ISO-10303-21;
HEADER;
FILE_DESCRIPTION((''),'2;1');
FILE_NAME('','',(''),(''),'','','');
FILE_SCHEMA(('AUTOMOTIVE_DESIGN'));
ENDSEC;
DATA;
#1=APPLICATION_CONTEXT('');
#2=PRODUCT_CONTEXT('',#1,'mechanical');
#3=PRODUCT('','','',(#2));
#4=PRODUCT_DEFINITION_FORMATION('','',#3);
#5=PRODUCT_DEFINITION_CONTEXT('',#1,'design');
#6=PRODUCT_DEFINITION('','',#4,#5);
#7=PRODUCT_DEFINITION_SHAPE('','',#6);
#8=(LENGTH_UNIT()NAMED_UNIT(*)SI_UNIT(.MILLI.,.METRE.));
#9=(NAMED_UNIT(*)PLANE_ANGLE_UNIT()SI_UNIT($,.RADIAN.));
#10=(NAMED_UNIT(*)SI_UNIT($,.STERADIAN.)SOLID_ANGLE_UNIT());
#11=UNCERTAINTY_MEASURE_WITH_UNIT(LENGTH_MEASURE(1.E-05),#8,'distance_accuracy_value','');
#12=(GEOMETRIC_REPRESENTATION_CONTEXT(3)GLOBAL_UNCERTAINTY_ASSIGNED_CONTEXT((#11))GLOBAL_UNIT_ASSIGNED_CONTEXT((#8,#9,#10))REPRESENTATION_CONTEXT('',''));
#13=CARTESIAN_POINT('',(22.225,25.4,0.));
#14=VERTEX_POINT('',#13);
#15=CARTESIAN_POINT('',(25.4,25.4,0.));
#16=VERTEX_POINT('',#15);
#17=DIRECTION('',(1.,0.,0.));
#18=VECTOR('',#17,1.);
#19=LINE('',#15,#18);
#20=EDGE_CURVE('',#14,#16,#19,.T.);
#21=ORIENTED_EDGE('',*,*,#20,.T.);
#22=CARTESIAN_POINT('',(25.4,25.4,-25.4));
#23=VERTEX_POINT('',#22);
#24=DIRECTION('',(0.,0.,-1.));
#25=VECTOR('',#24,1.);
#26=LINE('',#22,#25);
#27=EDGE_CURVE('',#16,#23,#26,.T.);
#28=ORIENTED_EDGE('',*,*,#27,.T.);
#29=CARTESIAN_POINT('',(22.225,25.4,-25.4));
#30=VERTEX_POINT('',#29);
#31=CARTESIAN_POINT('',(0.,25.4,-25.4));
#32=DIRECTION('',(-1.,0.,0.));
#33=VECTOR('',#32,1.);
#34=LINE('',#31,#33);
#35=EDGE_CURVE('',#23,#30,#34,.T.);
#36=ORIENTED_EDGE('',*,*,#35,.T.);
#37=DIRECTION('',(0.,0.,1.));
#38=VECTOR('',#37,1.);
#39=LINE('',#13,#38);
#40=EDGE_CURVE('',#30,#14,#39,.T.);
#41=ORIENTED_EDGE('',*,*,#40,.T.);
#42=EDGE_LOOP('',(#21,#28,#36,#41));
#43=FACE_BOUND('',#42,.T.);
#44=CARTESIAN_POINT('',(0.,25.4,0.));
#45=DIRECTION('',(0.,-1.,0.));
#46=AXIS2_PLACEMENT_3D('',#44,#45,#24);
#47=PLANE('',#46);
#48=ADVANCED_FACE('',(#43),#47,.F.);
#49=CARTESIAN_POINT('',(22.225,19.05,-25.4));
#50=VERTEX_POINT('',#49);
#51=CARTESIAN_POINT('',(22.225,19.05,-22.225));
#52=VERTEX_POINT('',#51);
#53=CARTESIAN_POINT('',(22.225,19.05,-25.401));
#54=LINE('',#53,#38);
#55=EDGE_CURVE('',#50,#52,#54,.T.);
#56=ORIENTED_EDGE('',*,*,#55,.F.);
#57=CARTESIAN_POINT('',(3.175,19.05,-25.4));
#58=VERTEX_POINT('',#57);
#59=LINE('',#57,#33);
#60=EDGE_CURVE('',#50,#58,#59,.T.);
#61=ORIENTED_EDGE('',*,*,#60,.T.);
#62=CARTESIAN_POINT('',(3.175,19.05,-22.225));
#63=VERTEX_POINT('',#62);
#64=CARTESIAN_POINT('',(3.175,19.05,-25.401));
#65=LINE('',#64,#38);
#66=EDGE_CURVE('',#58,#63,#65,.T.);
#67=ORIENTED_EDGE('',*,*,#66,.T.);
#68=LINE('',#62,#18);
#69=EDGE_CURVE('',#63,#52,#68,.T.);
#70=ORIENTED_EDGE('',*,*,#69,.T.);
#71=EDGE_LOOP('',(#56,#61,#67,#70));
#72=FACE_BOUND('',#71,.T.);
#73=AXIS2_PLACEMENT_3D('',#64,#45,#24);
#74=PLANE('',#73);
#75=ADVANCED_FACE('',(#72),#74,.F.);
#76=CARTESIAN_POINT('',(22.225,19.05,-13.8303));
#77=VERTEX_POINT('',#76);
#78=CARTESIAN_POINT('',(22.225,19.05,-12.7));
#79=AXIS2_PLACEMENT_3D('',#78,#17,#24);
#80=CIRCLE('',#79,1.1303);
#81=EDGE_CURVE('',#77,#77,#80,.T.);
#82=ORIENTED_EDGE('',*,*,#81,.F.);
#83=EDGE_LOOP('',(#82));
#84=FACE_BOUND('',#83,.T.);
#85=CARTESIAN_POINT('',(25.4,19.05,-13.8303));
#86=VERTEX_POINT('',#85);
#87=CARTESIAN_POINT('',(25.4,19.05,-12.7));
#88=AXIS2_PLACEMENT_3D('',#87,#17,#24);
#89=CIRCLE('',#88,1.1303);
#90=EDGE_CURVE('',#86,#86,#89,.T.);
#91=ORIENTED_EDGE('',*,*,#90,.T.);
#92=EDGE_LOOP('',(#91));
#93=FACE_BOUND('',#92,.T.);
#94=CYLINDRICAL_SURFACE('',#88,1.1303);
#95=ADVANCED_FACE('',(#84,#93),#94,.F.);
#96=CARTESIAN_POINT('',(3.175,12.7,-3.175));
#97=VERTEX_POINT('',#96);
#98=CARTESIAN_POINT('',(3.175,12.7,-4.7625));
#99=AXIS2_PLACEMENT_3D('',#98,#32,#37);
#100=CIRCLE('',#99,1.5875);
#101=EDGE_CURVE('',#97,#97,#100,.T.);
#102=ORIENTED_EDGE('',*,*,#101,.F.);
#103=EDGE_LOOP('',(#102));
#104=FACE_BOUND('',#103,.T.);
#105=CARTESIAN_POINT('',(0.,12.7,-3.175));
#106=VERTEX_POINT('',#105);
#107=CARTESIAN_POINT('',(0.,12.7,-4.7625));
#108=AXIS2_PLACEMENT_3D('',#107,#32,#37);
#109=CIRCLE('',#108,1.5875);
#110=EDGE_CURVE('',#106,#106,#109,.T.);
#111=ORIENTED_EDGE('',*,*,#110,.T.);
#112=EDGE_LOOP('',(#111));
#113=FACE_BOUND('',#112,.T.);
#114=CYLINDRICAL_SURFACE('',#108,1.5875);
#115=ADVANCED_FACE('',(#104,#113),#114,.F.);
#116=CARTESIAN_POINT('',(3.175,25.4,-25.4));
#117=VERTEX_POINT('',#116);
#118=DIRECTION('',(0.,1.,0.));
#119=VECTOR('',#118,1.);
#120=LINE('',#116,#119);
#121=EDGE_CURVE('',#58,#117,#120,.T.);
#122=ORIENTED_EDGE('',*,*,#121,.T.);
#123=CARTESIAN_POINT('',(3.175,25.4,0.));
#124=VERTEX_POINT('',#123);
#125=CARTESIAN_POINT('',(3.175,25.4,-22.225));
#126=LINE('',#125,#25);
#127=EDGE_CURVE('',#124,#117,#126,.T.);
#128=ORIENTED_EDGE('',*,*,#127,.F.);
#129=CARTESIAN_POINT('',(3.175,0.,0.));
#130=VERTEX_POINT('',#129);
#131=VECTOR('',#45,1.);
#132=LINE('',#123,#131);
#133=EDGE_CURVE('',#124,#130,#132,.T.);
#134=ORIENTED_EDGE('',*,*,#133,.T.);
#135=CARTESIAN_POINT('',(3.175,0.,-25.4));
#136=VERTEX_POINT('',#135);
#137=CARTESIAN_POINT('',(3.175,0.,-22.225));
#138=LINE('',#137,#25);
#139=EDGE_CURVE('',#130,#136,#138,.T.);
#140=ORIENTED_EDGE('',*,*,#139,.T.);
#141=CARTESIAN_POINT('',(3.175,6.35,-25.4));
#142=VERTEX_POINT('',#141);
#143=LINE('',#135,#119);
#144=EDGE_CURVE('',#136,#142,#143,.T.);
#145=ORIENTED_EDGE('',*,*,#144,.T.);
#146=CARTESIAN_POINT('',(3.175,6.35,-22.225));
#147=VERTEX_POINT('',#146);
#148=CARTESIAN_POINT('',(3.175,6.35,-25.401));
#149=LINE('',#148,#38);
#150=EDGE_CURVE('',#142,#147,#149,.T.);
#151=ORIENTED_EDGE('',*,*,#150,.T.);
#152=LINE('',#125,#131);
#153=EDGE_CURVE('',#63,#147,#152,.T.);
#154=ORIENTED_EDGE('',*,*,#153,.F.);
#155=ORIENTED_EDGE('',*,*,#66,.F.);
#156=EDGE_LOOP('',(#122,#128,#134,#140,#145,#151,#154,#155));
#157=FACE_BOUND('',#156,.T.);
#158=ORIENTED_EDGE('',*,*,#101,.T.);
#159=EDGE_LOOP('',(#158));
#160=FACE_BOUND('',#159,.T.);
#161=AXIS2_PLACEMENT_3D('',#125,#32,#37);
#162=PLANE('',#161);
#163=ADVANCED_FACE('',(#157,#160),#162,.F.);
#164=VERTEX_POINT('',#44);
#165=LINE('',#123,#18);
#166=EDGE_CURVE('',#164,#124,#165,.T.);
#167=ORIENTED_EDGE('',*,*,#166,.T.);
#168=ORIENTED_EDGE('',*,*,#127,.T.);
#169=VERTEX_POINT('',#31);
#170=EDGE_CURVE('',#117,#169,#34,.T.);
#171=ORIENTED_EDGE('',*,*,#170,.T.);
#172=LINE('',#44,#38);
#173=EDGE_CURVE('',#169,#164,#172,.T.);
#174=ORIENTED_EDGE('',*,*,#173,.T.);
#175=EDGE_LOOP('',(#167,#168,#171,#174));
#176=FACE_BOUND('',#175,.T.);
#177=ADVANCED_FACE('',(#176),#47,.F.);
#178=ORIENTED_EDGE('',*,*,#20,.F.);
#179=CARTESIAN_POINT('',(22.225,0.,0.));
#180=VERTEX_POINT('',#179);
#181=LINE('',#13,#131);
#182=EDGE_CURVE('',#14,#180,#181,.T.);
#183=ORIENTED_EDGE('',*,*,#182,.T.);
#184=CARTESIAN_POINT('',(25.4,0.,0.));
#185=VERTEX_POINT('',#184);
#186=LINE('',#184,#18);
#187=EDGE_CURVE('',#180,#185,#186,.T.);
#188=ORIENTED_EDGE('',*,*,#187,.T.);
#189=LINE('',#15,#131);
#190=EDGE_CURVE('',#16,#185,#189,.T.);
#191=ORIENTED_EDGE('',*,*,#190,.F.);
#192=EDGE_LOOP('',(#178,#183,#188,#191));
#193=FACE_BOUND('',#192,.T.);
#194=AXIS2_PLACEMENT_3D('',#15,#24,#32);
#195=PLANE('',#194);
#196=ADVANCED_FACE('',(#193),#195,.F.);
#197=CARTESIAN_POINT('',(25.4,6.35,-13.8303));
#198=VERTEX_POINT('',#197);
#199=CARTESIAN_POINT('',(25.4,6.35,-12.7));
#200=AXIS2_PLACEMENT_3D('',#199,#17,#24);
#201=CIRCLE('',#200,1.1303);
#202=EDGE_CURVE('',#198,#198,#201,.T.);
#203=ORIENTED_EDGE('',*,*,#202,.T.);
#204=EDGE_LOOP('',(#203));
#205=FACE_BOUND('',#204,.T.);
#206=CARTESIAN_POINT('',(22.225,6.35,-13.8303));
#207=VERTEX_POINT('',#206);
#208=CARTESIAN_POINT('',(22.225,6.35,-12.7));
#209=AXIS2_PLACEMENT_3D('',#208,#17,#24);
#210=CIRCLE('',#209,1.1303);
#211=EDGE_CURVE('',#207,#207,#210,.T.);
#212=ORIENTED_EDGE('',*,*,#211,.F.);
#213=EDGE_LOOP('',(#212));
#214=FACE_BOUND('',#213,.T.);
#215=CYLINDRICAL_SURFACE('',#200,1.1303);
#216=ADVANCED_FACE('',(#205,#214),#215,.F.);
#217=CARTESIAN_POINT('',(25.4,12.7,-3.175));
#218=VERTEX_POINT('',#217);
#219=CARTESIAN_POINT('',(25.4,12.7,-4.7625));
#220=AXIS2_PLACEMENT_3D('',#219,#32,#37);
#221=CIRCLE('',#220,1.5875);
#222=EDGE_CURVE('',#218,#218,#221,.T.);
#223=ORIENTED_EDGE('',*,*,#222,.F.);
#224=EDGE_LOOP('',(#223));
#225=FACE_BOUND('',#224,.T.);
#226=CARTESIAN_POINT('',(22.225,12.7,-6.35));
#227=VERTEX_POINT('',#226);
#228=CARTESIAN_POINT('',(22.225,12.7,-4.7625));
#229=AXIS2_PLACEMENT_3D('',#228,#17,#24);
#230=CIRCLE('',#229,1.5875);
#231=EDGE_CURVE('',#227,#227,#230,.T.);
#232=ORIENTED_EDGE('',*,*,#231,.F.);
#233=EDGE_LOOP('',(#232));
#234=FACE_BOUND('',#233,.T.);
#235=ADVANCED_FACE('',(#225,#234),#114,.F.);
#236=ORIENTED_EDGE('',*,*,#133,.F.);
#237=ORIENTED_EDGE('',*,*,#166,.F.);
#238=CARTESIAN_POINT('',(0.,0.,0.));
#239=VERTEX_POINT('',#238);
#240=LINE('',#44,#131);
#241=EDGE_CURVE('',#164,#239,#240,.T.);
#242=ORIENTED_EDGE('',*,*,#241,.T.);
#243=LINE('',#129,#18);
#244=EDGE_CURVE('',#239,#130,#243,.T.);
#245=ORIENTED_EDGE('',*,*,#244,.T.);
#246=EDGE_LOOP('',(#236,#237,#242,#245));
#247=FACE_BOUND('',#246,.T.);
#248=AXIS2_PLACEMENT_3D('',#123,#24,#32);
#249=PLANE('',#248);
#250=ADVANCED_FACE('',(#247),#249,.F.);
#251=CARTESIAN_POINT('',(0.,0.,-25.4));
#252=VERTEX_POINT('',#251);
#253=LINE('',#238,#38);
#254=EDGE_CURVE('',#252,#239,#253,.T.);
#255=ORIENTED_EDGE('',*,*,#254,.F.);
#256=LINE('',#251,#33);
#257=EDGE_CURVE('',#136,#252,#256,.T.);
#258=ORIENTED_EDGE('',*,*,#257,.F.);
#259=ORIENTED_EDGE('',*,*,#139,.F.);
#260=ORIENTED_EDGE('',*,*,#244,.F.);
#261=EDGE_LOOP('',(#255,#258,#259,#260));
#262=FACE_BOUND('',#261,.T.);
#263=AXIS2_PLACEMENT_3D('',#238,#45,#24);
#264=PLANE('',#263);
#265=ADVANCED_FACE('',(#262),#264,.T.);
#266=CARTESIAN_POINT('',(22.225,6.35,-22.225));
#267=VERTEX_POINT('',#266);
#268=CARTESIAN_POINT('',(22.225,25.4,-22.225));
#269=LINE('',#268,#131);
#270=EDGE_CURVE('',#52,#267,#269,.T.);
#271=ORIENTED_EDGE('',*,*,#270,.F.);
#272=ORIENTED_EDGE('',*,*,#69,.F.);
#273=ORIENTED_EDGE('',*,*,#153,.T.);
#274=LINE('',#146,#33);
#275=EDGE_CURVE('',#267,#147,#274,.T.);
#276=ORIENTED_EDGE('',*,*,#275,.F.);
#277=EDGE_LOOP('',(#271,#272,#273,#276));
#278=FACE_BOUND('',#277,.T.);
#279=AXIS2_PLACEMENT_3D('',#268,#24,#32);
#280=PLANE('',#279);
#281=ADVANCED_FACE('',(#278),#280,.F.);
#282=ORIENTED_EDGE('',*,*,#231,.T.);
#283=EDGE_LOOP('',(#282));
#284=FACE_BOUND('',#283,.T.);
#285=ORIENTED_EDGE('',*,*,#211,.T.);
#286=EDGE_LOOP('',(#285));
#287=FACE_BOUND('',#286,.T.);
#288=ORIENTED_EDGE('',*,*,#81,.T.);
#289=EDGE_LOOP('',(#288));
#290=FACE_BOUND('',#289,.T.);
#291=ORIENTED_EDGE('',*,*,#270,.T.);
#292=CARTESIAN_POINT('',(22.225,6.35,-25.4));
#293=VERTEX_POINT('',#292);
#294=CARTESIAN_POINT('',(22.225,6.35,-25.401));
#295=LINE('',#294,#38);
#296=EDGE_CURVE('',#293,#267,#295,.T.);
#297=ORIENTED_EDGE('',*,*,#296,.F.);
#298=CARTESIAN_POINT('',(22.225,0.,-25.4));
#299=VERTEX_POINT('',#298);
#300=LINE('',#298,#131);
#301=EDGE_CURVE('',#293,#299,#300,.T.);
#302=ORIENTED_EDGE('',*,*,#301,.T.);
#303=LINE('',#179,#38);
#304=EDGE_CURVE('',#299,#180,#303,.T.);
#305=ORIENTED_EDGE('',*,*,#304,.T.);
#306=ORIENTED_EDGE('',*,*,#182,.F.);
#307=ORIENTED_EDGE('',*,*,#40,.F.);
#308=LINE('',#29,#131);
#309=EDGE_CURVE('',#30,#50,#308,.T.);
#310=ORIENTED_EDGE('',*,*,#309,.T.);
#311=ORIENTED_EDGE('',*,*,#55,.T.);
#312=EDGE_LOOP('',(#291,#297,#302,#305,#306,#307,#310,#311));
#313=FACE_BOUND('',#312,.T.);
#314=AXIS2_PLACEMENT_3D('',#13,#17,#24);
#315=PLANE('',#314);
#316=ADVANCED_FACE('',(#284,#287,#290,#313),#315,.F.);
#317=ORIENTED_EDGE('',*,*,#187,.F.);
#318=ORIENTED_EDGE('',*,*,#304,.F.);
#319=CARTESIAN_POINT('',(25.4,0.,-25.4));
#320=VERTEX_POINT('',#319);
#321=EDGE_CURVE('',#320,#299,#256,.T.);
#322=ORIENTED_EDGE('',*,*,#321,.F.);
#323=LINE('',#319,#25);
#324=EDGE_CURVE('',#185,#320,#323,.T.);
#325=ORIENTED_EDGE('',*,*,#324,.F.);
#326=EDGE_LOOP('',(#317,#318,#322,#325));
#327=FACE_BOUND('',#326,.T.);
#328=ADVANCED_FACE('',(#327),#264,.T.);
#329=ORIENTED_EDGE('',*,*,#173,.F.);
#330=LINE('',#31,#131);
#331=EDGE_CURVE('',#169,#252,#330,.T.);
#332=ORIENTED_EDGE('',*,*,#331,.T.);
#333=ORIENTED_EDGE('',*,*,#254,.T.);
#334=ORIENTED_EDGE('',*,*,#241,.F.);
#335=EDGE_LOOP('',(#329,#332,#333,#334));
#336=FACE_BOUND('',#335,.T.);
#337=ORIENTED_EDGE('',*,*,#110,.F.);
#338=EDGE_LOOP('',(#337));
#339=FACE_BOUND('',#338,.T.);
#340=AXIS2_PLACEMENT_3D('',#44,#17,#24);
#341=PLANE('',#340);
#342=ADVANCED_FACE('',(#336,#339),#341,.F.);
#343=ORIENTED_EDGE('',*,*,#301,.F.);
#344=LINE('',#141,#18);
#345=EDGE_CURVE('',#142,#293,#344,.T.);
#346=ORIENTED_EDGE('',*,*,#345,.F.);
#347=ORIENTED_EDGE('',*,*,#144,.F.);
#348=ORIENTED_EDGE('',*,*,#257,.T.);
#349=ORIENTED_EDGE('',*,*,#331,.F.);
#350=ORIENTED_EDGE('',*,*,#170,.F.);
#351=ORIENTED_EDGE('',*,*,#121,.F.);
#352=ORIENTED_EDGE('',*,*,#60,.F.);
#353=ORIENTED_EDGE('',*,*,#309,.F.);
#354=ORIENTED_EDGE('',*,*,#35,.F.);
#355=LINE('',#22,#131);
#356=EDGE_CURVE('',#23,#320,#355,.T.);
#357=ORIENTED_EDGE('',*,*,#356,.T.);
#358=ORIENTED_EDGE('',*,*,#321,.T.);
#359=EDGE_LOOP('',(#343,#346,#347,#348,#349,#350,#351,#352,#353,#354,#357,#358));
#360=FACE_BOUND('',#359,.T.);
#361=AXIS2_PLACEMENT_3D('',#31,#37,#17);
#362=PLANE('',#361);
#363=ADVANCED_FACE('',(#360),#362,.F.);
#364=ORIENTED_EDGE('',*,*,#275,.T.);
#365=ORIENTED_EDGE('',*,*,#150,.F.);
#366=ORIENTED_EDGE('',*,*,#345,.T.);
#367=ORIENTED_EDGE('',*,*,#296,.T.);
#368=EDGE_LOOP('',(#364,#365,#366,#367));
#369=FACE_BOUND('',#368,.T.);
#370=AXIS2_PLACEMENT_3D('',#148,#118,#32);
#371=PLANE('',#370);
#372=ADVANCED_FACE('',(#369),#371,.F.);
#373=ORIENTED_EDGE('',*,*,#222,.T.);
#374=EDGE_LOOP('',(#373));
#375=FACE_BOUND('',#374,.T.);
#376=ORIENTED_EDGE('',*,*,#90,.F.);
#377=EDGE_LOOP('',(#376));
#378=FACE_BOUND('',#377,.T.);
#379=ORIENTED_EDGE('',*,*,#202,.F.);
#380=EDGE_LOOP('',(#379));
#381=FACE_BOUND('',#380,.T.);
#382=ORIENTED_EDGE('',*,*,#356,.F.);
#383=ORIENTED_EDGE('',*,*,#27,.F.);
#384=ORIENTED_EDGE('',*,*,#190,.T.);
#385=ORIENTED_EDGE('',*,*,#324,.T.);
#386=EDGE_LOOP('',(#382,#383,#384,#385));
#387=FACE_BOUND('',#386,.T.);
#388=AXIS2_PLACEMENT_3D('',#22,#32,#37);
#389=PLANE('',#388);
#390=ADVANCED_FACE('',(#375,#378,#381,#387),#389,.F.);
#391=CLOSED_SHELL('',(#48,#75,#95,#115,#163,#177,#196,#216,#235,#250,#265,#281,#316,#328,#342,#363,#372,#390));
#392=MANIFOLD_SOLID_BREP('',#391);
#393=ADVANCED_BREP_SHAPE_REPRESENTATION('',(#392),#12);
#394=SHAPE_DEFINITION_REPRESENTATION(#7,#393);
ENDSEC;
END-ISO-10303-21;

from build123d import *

# Parameters (mm, degrees)
BOSS_EXTRUDE1_DEPTH             = 25.4
F_1_8_0_125_DIAMETER_HOLE1_D    = 3.175
F_43_0_089_DIAMETER_HOLE2_D     = 2.2606
F_43_0_089_DIAMETER_HOLE2_DEPTH = 3.175
CUT_EXTRUDE1_REACH              = 44.241
SKETCH8_W                       = 19.05
SKETCH8_H                       = 6.35


with BuildPart() as part:
    # Sketch1 → Boss-Extrude1 (new body)
    with BuildSketch(Plane(origin=(0, 0, 0), x_dir=(1, 0, 0), z_dir=(0, 1, 0))):
        Polygon((0, 0), (0, 25.4), (25.4, 25.4), (25.4, 0), (22.225, 0), (22.225, 22.225), (3.175, 22.225), (3.175, 0), align=None)
    extrude(amount=BOSS_EXTRUDE1_DEPTH)

    # 1/8 (0.125) Diameter Hole1 (through all)
    with Locations(Plane.ZY):
        with Locations((-4.7625, 12.7)):
            Hole(F_1_8_0_125_DIAMETER_HOLE1_D / 2)

    # #43 (0.089) Diameter Hole2
    with Locations(Plane(origin=(25.4, 0, 0), x_dir=(0, 0, -1), z_dir=(1, 0, 0))):
        with Locations((12.7, 19.05), (12.7, 6.35)):
            Hole(F_43_0_089_DIAMETER_HOLE2_D / 2, depth=F_43_0_089_DIAMETER_HOLE2_DEPTH)

    # Sketch8 → Cut-Extrude1 (cut, up to next)
    with BuildSketch(Plane.XY.offset(-22.225), mode=Mode.PRIVATE) as cut_extrude1_sk1:
        with Locations((12.7, 22.225)):
            Rectangle(SKETCH8_W, SKETCH8_H)
    cut_extrude1_tool1 = extrude(cut_extrude1_sk1.sketch, amount=-CUT_EXTRUDE1_REACH, mode=Mode.PRIVATE) & part.part
    # Sketch8 → Cut-Extrude1 (cut, up to next)
    with BuildSketch(Plane.XY.offset(-22.225), mode=Mode.PRIVATE) as cut_extrude1_sk2:
        with Locations((12.7, 3.175)):
            Rectangle(SKETCH8_W, SKETCH8_H)
    cut_extrude1_tool2 = extrude(cut_extrude1_sk2.sketch, amount=-CUT_EXTRUDE1_REACH, mode=Mode.PRIVATE) & part.part
    add(cut_extrude1_tool1.solids().sort_by_distance((12.7, 22.225, -22.225))[0], mode=Mode.SUBTRACT)
    add(cut_extrude1_tool2.solids().sort_by_distance((12.7, 3.175, -22.225))[0], mode=Mode.SUBTRACT)


solid = part.part
